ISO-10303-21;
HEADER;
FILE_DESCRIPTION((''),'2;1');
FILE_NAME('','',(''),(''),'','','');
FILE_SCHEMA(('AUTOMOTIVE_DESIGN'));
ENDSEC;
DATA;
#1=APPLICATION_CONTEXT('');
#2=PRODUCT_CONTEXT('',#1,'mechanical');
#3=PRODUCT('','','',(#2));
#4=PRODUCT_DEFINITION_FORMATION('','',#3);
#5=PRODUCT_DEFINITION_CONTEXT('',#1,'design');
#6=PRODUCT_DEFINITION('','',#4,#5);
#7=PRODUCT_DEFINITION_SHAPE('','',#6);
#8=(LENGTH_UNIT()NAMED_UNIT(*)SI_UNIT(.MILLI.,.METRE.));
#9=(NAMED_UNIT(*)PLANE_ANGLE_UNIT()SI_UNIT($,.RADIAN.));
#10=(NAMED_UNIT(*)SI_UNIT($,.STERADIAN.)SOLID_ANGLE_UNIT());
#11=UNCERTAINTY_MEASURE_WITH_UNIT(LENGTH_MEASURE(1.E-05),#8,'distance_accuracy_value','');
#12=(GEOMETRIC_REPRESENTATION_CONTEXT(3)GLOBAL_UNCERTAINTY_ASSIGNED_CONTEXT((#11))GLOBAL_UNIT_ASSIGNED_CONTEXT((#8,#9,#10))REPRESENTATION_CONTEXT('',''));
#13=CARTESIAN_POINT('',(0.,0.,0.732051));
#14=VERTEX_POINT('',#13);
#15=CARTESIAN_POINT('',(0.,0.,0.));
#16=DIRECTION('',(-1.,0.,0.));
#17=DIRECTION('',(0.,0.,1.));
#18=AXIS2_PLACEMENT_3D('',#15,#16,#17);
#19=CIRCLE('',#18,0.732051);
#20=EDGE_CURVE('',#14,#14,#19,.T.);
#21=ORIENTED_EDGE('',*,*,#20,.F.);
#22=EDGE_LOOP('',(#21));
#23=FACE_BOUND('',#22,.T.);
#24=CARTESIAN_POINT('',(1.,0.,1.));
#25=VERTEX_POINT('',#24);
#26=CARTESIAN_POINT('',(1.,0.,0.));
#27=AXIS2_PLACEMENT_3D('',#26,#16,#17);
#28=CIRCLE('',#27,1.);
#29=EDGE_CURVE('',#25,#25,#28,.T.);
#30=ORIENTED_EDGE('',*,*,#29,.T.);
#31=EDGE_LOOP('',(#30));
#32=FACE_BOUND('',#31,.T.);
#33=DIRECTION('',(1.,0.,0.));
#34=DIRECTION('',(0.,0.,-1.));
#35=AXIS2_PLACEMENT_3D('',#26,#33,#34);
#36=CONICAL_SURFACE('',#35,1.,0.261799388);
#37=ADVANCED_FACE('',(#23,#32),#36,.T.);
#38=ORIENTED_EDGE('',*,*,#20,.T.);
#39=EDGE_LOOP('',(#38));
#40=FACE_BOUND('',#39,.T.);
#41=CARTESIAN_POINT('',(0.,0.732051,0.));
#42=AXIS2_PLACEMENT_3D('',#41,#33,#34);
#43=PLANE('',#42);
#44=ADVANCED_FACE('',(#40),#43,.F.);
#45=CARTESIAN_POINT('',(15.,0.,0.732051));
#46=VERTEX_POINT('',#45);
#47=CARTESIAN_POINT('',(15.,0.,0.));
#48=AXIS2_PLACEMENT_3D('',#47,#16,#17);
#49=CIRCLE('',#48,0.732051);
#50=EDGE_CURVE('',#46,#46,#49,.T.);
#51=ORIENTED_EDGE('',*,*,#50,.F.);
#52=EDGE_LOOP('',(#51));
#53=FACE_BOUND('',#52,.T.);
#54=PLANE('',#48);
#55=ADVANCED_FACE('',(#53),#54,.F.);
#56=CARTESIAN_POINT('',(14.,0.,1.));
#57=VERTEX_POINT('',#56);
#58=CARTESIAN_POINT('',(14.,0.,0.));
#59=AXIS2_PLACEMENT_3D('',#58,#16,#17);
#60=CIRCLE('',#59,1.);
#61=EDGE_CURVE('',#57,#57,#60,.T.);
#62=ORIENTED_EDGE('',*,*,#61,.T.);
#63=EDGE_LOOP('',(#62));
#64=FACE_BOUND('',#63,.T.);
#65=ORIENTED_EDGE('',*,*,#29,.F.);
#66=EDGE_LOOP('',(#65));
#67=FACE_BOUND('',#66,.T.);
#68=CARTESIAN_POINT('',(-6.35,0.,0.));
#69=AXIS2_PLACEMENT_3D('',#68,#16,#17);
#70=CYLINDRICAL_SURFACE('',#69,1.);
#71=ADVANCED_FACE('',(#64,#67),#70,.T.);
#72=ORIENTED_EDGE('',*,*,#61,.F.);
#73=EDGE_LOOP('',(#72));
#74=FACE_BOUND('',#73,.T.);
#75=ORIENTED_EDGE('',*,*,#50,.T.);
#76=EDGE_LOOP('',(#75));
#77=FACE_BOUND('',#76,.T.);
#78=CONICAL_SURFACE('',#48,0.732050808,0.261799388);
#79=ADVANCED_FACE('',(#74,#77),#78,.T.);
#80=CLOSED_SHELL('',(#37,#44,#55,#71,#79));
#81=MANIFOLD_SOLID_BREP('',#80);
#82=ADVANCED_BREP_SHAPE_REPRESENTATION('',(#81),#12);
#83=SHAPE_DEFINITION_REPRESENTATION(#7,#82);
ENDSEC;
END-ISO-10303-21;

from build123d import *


with BuildPart() as part:
    # Sketch1 → Base-Revolve (revolve)
    with BuildSketch(Plane.XY, mode=Mode.PRIVATE) as base_revolve_sk:
        Polygon((0, 0), (15, 0), (15, 0.732050808), (14, 1), (1, 1), (0, 0.732050808), align=None)
    revolve(base_revolve_sk.sketch.rotate(Axis((-6.35, 0, 0), (1, 0, 0)), 90), axis=Axis((-6.35, 0, 0), (1, 0, 0)))  # turned: the seam where the file's is


solid = part.part
